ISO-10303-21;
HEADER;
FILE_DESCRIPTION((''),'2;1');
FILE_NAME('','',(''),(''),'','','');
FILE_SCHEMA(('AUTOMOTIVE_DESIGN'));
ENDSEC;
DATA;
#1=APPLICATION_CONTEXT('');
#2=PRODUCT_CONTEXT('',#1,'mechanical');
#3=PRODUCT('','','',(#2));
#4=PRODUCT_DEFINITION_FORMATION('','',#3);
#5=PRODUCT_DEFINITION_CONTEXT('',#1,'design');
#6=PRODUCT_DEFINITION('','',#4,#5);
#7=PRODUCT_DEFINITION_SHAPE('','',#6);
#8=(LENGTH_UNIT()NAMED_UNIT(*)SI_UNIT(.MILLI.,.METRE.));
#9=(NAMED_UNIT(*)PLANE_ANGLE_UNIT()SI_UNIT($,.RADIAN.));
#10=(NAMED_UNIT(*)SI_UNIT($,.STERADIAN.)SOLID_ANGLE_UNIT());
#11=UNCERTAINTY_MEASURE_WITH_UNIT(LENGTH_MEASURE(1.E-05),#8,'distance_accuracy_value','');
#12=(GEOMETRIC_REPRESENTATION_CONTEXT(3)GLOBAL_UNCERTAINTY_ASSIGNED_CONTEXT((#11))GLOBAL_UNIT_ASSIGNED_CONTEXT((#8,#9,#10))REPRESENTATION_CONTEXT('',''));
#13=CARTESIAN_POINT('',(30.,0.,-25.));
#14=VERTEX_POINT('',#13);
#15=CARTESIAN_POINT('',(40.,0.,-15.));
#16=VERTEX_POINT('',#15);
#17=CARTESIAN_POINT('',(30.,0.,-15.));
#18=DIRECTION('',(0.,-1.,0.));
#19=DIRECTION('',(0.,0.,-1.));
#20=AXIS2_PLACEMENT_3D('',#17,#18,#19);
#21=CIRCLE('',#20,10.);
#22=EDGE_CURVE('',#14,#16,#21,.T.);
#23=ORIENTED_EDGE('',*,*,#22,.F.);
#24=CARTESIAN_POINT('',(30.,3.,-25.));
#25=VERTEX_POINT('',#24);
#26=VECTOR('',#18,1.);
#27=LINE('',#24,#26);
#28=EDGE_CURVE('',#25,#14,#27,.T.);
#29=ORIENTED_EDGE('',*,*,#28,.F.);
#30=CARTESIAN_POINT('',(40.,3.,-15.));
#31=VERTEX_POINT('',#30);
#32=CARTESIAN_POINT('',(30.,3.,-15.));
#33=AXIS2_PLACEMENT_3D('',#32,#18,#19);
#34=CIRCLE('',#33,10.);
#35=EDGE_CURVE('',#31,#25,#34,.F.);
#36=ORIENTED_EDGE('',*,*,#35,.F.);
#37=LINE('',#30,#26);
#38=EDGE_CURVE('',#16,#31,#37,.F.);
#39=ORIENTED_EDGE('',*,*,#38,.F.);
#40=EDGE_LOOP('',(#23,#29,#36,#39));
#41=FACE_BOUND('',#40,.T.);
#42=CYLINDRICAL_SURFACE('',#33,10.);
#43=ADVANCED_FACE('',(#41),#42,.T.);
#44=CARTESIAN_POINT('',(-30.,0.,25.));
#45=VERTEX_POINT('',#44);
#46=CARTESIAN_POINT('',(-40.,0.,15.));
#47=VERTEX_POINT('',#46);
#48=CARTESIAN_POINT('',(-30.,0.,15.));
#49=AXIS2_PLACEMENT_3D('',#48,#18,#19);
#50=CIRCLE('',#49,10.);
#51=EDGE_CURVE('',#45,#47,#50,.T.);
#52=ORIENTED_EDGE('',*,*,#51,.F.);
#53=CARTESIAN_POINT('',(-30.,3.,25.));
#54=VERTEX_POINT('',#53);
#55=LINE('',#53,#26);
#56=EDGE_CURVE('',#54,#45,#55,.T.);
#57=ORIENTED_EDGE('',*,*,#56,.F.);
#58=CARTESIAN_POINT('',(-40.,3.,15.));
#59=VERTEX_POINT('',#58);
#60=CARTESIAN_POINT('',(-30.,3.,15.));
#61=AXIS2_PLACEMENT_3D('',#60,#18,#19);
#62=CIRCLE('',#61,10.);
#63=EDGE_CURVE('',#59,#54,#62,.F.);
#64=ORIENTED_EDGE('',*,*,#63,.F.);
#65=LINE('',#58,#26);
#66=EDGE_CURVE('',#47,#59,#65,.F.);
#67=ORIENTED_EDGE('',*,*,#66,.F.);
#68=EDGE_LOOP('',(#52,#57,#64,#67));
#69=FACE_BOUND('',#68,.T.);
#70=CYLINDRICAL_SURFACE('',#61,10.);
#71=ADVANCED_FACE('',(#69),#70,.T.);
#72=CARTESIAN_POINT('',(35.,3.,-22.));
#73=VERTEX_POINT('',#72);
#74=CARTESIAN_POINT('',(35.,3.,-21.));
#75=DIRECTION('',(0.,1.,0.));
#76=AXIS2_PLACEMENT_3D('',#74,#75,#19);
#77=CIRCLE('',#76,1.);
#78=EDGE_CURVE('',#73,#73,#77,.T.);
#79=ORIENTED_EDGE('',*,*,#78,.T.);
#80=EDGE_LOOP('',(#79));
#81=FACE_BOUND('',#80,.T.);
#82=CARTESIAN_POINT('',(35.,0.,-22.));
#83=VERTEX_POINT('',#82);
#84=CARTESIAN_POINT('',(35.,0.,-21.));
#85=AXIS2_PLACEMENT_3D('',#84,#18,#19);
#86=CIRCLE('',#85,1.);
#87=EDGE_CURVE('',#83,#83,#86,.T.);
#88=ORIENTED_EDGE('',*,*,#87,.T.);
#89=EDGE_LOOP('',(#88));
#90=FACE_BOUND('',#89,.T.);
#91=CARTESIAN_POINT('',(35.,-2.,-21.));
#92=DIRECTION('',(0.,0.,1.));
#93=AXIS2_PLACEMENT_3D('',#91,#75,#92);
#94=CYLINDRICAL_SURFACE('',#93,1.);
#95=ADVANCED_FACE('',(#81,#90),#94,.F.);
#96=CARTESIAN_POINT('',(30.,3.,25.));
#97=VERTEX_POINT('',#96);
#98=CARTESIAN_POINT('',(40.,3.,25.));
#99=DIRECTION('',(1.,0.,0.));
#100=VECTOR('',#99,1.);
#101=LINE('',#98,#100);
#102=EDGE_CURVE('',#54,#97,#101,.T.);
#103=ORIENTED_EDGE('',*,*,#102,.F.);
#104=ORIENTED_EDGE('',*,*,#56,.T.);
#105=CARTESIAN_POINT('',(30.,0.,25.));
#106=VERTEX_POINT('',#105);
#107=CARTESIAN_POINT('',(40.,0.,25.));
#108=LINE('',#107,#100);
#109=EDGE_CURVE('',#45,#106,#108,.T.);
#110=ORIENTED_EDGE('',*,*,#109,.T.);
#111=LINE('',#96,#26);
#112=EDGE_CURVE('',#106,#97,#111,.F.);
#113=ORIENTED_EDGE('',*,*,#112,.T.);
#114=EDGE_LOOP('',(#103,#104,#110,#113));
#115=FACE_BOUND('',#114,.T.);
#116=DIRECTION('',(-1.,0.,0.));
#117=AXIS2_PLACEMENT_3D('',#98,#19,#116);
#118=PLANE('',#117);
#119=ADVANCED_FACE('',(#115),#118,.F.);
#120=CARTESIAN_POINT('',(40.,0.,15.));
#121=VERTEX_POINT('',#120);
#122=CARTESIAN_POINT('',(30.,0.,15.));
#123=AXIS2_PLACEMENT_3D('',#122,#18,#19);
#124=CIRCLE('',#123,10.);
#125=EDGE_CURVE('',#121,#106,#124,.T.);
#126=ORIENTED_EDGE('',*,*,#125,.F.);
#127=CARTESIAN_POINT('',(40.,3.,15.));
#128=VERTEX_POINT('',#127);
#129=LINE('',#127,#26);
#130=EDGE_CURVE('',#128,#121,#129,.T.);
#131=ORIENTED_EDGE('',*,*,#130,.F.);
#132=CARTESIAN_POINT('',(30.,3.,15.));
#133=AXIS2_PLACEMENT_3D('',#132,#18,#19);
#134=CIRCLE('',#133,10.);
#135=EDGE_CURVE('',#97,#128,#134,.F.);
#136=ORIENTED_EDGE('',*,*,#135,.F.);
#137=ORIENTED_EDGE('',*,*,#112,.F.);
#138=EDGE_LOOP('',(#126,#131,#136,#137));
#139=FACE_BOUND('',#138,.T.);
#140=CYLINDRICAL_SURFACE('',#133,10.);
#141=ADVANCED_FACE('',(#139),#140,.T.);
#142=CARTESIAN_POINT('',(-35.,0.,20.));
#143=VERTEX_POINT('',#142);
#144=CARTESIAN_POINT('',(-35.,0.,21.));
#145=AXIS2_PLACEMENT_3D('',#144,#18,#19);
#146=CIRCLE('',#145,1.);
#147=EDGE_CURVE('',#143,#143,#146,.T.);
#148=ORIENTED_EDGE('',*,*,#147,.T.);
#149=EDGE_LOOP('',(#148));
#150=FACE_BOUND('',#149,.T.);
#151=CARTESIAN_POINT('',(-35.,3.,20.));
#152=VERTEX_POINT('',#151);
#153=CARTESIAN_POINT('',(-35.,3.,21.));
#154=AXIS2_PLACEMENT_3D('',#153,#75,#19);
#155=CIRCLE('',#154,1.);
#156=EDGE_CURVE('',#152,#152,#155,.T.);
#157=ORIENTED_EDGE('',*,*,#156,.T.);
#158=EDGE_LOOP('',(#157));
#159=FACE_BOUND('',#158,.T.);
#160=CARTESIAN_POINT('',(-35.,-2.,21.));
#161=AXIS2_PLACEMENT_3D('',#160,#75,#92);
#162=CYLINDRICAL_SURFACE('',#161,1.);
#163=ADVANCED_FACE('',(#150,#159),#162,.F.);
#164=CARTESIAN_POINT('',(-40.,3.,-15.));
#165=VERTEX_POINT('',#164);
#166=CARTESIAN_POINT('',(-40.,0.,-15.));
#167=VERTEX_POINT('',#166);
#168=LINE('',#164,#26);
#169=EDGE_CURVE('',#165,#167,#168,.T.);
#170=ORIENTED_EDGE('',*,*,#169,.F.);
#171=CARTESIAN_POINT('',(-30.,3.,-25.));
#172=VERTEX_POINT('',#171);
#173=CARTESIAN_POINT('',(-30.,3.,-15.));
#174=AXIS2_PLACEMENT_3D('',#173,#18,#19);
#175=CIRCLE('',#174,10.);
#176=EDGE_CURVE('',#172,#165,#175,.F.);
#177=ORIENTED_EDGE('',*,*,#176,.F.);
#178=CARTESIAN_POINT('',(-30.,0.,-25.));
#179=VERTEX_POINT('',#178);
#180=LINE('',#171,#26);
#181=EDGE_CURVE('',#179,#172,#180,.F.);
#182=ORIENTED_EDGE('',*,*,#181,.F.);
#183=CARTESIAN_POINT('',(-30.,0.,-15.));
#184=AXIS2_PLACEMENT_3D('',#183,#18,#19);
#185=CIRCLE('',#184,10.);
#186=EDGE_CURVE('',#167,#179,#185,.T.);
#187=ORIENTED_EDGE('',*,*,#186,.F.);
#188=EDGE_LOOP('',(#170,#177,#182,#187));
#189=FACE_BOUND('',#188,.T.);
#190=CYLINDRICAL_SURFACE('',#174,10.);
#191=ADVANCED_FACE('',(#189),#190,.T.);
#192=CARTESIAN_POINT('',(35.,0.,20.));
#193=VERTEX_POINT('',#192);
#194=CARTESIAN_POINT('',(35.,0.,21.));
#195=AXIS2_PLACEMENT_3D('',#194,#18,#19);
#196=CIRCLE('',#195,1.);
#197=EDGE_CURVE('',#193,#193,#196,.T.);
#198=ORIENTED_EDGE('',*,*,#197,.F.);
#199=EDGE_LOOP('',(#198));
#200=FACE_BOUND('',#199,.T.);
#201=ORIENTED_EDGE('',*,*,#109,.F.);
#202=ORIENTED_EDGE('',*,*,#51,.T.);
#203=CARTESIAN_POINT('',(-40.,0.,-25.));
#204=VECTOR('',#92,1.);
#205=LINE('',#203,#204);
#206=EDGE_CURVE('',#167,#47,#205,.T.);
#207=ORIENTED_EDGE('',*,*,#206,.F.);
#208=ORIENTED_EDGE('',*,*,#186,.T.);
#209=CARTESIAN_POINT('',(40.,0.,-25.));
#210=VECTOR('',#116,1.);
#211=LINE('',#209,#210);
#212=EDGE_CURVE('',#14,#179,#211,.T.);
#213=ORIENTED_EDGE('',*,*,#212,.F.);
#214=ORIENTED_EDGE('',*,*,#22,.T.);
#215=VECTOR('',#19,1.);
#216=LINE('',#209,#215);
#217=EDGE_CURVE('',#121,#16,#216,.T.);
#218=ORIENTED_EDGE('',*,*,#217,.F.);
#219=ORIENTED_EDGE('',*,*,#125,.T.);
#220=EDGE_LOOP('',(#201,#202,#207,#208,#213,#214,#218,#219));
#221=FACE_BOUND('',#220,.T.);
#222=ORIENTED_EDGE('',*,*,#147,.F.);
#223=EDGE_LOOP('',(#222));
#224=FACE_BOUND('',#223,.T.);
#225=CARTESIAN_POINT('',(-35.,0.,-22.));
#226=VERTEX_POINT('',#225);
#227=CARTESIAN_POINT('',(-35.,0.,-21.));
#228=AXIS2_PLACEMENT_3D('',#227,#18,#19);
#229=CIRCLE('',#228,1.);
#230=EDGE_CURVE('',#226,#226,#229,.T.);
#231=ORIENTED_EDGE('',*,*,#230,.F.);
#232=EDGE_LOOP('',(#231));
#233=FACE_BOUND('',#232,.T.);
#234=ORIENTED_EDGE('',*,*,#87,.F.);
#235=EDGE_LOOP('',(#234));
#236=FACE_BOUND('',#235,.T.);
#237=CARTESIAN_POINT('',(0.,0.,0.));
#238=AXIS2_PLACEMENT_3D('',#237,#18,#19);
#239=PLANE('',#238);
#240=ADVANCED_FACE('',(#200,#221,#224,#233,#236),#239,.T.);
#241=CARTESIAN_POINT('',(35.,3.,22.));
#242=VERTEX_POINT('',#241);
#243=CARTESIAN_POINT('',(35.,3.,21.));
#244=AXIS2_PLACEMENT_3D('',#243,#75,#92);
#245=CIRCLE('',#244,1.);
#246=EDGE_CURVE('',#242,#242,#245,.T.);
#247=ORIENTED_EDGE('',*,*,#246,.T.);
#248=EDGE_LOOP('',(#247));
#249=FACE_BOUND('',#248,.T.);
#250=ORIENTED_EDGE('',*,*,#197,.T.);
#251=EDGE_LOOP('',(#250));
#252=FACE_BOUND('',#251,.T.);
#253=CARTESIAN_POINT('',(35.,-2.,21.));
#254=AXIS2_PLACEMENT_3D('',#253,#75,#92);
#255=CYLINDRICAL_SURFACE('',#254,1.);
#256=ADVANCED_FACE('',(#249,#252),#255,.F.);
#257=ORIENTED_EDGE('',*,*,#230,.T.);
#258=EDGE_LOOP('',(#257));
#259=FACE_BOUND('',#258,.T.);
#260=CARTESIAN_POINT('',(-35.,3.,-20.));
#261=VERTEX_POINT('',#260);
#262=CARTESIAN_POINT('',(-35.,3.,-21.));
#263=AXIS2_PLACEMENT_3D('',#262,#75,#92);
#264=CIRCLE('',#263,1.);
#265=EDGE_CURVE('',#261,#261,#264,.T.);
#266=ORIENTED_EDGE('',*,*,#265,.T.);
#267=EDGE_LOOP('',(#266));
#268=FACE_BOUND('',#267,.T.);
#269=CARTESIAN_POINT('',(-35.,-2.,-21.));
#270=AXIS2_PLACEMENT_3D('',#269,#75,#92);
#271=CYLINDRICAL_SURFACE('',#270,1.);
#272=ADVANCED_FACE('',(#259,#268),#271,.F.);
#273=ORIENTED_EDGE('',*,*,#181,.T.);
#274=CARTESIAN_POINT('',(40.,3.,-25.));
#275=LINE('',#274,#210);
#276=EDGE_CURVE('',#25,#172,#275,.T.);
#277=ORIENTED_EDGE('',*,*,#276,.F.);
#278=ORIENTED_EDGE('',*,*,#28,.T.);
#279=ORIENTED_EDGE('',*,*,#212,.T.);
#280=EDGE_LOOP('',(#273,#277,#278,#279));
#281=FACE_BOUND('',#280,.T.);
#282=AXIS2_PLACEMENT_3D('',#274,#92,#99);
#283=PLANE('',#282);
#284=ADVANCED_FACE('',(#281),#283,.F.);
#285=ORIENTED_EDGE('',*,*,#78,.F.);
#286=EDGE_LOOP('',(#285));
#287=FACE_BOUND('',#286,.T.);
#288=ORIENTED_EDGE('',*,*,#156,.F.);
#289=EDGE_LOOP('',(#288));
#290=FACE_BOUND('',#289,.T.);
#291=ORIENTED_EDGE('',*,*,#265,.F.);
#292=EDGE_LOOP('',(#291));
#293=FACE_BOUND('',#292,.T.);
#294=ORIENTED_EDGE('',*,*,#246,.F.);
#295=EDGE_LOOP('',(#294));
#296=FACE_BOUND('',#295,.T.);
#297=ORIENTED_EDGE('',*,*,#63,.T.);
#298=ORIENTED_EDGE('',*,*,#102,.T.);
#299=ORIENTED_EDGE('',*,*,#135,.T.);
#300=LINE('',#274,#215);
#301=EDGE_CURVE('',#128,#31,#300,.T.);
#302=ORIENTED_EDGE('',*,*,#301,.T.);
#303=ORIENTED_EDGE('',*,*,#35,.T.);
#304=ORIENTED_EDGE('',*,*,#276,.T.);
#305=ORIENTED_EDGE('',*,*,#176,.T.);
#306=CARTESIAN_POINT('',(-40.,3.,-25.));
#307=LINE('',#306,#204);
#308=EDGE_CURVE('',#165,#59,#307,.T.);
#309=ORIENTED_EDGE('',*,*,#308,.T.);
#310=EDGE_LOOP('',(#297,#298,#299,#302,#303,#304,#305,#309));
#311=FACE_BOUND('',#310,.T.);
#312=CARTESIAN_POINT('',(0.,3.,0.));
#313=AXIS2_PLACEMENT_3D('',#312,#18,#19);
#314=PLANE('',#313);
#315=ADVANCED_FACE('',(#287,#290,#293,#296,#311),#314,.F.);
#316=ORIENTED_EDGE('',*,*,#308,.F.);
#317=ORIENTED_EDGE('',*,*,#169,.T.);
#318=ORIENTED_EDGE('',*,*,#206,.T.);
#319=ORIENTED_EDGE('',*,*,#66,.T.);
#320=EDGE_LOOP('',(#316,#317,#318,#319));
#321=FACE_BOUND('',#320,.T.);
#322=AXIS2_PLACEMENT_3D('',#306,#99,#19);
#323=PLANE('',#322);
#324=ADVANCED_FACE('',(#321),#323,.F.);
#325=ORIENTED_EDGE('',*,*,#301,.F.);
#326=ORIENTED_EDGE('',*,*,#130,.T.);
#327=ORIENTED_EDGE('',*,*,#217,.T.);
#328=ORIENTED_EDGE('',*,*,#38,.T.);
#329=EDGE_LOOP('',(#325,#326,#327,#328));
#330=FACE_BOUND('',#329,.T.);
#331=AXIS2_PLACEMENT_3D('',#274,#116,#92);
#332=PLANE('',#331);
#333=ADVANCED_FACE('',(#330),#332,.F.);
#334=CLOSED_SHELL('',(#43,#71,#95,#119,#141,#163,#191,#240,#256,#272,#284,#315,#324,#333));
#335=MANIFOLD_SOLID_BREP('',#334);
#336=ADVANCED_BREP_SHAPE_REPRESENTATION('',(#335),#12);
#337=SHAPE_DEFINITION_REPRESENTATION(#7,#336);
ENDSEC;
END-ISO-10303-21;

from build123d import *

# Parameters (mm, degrees)
SKETCH1_W           = 80
SKETCH1_H           = 50
BOSS_EXTRUDE1_DEPTH = 3
FILLET1_R           = 10
SKETCH2_R           = 1
CUT_EXTRUDE1_DEPTH  = 5


with BuildPart() as part:
    # Sketch1 → Boss-Extrude1 (new body)
    with BuildSketch(Plane(origin=(0, 0, 0), x_dir=(1, 0, 0), z_dir=(0, 1, 0))):
        Rectangle(SKETCH1_W, SKETCH1_H)
    extrude(amount=BOSS_EXTRUDE1_DEPTH)

    # Fillet1
    fillet1_edges = [part.edges().sort_by_distance(p)[0] for p in [
        (-40, 1.5, -25),
        (40, 1.5, -25),
        (40, 1.5, 25),
        (-40, 1.5, 25),
    ]]
    fillet(fillet1_edges, radius=FILLET1_R)

    # Sketch2 → Cut-Extrude1 (cut)
    with BuildSketch(Plane(origin=(0, 3, 0), x_dir=(1, 0, 0), z_dir=(0, 1, 0))):
        with Locations(Location((-35, 21, 0), (0, 0, 270))):
            Circle(SKETCH2_R)
        with Locations(Location((35, 21, 0), (0, 0, 90))):
            Circle(SKETCH2_R)
        with Locations(Location((35, -21, 0), (0, 0, 270))):
            Circle(SKETCH2_R)
        with Locations(Location((-35, -21, 0), (0, 0, 90))):
            Circle(SKETCH2_R)
    extrude(amount=-CUT_EXTRUDE1_DEPTH, mode=Mode.SUBTRACT)


solid = part.part
